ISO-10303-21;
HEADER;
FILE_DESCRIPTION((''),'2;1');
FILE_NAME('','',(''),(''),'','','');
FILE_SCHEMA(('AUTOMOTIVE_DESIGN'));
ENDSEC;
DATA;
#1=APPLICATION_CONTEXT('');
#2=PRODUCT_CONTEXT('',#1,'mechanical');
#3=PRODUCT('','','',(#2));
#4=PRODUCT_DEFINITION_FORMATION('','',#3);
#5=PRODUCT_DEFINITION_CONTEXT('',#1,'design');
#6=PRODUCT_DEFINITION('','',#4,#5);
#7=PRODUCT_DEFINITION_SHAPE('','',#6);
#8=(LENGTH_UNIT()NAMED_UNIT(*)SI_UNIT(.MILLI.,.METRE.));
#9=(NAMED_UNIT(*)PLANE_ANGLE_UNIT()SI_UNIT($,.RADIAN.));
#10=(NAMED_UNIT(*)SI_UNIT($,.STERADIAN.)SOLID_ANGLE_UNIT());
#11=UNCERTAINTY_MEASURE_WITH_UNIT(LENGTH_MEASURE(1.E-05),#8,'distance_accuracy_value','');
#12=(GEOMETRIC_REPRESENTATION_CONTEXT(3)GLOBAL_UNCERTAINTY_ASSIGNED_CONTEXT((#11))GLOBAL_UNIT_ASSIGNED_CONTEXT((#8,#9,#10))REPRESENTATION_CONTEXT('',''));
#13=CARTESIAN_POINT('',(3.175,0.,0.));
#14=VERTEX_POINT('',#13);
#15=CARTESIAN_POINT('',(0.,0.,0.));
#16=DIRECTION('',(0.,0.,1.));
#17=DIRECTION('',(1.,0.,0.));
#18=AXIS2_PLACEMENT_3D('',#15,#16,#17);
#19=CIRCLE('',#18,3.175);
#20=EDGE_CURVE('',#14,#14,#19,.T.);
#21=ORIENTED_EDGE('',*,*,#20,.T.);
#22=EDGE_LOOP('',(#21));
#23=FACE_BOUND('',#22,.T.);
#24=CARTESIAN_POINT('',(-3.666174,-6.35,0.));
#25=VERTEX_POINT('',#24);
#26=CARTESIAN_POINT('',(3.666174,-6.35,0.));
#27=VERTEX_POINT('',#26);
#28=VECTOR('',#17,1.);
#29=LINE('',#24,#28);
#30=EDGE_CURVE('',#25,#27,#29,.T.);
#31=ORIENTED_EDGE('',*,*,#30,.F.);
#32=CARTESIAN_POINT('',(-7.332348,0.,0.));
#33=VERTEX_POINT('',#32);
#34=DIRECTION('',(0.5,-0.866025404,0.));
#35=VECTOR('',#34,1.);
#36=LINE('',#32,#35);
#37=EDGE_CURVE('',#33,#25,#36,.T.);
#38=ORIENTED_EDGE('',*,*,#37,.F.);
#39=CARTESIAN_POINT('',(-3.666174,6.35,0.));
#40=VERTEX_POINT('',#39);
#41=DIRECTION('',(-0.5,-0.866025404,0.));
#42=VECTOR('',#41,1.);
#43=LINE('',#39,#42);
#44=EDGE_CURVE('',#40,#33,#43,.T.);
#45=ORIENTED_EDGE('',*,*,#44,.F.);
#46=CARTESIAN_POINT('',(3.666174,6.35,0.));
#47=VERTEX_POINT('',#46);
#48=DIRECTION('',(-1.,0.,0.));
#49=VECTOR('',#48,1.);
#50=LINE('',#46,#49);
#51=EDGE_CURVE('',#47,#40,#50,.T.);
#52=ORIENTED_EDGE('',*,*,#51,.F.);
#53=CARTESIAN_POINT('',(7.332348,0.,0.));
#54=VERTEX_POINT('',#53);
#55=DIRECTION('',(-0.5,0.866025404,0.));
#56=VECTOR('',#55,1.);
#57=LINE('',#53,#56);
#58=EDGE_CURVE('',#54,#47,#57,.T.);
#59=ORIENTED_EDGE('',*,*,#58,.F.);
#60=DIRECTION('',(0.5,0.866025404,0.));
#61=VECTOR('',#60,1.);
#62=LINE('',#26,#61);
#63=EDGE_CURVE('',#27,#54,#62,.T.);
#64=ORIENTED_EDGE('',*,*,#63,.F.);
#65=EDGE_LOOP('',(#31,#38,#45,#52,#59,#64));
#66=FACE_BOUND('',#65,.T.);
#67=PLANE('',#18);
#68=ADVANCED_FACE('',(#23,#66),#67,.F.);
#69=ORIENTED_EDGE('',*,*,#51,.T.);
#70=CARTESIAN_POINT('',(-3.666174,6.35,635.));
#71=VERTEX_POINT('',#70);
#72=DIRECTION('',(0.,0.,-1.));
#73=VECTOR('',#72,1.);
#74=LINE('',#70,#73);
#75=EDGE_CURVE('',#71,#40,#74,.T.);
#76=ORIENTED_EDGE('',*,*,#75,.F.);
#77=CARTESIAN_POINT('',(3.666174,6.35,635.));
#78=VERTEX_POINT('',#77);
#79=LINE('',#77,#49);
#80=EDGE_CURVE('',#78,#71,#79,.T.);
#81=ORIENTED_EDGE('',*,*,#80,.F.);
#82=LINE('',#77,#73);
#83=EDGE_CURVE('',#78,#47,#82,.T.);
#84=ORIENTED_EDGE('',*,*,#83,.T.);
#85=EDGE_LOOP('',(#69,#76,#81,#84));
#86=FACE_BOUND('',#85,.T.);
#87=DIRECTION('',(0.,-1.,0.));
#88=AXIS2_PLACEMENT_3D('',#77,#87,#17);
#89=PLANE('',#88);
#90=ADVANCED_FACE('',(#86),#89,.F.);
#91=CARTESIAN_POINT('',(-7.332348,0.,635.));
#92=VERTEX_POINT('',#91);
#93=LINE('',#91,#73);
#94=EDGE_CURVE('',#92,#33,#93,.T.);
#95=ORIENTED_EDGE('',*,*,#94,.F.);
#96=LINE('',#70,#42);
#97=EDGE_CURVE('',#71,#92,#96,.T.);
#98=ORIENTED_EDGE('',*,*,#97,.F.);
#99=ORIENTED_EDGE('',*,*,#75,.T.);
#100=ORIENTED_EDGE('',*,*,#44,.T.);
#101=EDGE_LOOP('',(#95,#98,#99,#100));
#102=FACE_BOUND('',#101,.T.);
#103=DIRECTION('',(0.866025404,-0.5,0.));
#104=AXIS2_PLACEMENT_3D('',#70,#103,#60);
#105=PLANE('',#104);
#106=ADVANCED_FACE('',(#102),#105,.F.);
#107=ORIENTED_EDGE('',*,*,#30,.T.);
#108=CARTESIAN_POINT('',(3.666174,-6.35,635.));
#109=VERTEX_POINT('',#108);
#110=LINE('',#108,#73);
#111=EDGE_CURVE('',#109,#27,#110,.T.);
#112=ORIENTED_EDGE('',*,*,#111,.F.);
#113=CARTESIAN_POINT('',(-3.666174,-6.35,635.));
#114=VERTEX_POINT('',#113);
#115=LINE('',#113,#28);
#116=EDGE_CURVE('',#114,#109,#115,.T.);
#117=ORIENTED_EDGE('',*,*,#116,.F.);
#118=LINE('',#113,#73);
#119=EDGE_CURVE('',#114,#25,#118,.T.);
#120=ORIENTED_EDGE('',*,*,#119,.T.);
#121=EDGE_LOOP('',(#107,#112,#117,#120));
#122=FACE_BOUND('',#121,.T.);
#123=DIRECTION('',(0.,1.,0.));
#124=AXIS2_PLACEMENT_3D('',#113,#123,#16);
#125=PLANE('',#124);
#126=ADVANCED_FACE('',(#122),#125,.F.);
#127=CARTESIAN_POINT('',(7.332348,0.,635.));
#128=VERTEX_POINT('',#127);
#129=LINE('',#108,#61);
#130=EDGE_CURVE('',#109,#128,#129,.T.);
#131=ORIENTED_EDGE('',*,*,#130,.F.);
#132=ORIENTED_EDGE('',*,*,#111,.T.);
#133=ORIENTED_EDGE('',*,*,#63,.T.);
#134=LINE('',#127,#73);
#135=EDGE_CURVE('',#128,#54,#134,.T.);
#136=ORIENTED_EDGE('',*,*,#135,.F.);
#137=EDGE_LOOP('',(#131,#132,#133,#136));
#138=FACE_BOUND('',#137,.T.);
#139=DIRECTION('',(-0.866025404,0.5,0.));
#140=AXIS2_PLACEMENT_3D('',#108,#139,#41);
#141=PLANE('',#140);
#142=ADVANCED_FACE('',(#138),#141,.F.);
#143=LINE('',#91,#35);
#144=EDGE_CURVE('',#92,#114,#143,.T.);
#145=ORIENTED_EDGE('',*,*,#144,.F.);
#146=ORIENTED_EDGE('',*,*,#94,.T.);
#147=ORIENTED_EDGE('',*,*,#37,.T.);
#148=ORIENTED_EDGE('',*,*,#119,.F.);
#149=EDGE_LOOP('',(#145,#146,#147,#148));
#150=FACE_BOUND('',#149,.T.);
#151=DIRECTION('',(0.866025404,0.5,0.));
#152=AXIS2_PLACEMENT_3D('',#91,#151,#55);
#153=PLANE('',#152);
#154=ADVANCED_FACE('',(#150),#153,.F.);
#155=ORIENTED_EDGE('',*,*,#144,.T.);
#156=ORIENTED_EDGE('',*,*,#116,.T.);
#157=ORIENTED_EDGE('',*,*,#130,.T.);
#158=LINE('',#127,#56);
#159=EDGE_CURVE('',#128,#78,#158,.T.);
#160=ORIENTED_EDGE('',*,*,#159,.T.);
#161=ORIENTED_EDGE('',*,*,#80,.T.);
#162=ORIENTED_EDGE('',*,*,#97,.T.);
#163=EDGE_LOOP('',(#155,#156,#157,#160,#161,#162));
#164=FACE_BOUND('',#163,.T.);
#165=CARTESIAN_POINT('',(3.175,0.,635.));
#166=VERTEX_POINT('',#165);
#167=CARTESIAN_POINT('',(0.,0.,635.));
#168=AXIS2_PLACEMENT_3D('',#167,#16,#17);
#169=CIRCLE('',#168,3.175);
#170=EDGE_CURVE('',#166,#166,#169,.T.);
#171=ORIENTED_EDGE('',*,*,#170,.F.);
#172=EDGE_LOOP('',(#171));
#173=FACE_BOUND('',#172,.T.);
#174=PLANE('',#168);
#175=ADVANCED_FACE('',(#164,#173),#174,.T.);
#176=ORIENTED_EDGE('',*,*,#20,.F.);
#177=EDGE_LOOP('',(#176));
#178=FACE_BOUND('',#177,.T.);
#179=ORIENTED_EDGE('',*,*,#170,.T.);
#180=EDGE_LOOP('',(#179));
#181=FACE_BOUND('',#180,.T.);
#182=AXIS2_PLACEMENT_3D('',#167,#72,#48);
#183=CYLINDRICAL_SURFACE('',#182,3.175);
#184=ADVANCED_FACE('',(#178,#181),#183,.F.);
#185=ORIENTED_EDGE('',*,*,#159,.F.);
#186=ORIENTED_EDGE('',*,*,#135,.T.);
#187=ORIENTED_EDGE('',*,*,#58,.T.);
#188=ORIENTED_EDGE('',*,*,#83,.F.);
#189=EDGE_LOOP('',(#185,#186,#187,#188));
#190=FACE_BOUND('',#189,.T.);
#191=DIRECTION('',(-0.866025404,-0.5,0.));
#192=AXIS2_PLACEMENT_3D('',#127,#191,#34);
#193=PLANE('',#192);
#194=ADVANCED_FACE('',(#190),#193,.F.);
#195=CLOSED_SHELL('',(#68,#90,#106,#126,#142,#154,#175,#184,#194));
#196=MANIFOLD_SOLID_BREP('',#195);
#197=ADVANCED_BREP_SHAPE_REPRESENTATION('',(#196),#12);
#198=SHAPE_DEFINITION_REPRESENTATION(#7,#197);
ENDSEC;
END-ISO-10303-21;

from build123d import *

# Parameters (mm, degrees)
SKETCH1_R           = 3.175
BOSS_EXTRUDE1_DEPTH = 635


with BuildPart() as part:
    # Sketch1 → Boss-Extrude1 (new body)
    with BuildSketch(Plane.XY):
        Polygon((-3.666174209, 6.35), (-7.332348419, 0), (-3.666174209, -6.35), (3.666174209, -6.35), (7.332348419, 0), (3.666174209, 6.35), align=None)
        Circle(SKETCH1_R, mode=Mode.SUBTRACT)
    extrude(amount=BOSS_EXTRUDE1_DEPTH)


solid = part.part
